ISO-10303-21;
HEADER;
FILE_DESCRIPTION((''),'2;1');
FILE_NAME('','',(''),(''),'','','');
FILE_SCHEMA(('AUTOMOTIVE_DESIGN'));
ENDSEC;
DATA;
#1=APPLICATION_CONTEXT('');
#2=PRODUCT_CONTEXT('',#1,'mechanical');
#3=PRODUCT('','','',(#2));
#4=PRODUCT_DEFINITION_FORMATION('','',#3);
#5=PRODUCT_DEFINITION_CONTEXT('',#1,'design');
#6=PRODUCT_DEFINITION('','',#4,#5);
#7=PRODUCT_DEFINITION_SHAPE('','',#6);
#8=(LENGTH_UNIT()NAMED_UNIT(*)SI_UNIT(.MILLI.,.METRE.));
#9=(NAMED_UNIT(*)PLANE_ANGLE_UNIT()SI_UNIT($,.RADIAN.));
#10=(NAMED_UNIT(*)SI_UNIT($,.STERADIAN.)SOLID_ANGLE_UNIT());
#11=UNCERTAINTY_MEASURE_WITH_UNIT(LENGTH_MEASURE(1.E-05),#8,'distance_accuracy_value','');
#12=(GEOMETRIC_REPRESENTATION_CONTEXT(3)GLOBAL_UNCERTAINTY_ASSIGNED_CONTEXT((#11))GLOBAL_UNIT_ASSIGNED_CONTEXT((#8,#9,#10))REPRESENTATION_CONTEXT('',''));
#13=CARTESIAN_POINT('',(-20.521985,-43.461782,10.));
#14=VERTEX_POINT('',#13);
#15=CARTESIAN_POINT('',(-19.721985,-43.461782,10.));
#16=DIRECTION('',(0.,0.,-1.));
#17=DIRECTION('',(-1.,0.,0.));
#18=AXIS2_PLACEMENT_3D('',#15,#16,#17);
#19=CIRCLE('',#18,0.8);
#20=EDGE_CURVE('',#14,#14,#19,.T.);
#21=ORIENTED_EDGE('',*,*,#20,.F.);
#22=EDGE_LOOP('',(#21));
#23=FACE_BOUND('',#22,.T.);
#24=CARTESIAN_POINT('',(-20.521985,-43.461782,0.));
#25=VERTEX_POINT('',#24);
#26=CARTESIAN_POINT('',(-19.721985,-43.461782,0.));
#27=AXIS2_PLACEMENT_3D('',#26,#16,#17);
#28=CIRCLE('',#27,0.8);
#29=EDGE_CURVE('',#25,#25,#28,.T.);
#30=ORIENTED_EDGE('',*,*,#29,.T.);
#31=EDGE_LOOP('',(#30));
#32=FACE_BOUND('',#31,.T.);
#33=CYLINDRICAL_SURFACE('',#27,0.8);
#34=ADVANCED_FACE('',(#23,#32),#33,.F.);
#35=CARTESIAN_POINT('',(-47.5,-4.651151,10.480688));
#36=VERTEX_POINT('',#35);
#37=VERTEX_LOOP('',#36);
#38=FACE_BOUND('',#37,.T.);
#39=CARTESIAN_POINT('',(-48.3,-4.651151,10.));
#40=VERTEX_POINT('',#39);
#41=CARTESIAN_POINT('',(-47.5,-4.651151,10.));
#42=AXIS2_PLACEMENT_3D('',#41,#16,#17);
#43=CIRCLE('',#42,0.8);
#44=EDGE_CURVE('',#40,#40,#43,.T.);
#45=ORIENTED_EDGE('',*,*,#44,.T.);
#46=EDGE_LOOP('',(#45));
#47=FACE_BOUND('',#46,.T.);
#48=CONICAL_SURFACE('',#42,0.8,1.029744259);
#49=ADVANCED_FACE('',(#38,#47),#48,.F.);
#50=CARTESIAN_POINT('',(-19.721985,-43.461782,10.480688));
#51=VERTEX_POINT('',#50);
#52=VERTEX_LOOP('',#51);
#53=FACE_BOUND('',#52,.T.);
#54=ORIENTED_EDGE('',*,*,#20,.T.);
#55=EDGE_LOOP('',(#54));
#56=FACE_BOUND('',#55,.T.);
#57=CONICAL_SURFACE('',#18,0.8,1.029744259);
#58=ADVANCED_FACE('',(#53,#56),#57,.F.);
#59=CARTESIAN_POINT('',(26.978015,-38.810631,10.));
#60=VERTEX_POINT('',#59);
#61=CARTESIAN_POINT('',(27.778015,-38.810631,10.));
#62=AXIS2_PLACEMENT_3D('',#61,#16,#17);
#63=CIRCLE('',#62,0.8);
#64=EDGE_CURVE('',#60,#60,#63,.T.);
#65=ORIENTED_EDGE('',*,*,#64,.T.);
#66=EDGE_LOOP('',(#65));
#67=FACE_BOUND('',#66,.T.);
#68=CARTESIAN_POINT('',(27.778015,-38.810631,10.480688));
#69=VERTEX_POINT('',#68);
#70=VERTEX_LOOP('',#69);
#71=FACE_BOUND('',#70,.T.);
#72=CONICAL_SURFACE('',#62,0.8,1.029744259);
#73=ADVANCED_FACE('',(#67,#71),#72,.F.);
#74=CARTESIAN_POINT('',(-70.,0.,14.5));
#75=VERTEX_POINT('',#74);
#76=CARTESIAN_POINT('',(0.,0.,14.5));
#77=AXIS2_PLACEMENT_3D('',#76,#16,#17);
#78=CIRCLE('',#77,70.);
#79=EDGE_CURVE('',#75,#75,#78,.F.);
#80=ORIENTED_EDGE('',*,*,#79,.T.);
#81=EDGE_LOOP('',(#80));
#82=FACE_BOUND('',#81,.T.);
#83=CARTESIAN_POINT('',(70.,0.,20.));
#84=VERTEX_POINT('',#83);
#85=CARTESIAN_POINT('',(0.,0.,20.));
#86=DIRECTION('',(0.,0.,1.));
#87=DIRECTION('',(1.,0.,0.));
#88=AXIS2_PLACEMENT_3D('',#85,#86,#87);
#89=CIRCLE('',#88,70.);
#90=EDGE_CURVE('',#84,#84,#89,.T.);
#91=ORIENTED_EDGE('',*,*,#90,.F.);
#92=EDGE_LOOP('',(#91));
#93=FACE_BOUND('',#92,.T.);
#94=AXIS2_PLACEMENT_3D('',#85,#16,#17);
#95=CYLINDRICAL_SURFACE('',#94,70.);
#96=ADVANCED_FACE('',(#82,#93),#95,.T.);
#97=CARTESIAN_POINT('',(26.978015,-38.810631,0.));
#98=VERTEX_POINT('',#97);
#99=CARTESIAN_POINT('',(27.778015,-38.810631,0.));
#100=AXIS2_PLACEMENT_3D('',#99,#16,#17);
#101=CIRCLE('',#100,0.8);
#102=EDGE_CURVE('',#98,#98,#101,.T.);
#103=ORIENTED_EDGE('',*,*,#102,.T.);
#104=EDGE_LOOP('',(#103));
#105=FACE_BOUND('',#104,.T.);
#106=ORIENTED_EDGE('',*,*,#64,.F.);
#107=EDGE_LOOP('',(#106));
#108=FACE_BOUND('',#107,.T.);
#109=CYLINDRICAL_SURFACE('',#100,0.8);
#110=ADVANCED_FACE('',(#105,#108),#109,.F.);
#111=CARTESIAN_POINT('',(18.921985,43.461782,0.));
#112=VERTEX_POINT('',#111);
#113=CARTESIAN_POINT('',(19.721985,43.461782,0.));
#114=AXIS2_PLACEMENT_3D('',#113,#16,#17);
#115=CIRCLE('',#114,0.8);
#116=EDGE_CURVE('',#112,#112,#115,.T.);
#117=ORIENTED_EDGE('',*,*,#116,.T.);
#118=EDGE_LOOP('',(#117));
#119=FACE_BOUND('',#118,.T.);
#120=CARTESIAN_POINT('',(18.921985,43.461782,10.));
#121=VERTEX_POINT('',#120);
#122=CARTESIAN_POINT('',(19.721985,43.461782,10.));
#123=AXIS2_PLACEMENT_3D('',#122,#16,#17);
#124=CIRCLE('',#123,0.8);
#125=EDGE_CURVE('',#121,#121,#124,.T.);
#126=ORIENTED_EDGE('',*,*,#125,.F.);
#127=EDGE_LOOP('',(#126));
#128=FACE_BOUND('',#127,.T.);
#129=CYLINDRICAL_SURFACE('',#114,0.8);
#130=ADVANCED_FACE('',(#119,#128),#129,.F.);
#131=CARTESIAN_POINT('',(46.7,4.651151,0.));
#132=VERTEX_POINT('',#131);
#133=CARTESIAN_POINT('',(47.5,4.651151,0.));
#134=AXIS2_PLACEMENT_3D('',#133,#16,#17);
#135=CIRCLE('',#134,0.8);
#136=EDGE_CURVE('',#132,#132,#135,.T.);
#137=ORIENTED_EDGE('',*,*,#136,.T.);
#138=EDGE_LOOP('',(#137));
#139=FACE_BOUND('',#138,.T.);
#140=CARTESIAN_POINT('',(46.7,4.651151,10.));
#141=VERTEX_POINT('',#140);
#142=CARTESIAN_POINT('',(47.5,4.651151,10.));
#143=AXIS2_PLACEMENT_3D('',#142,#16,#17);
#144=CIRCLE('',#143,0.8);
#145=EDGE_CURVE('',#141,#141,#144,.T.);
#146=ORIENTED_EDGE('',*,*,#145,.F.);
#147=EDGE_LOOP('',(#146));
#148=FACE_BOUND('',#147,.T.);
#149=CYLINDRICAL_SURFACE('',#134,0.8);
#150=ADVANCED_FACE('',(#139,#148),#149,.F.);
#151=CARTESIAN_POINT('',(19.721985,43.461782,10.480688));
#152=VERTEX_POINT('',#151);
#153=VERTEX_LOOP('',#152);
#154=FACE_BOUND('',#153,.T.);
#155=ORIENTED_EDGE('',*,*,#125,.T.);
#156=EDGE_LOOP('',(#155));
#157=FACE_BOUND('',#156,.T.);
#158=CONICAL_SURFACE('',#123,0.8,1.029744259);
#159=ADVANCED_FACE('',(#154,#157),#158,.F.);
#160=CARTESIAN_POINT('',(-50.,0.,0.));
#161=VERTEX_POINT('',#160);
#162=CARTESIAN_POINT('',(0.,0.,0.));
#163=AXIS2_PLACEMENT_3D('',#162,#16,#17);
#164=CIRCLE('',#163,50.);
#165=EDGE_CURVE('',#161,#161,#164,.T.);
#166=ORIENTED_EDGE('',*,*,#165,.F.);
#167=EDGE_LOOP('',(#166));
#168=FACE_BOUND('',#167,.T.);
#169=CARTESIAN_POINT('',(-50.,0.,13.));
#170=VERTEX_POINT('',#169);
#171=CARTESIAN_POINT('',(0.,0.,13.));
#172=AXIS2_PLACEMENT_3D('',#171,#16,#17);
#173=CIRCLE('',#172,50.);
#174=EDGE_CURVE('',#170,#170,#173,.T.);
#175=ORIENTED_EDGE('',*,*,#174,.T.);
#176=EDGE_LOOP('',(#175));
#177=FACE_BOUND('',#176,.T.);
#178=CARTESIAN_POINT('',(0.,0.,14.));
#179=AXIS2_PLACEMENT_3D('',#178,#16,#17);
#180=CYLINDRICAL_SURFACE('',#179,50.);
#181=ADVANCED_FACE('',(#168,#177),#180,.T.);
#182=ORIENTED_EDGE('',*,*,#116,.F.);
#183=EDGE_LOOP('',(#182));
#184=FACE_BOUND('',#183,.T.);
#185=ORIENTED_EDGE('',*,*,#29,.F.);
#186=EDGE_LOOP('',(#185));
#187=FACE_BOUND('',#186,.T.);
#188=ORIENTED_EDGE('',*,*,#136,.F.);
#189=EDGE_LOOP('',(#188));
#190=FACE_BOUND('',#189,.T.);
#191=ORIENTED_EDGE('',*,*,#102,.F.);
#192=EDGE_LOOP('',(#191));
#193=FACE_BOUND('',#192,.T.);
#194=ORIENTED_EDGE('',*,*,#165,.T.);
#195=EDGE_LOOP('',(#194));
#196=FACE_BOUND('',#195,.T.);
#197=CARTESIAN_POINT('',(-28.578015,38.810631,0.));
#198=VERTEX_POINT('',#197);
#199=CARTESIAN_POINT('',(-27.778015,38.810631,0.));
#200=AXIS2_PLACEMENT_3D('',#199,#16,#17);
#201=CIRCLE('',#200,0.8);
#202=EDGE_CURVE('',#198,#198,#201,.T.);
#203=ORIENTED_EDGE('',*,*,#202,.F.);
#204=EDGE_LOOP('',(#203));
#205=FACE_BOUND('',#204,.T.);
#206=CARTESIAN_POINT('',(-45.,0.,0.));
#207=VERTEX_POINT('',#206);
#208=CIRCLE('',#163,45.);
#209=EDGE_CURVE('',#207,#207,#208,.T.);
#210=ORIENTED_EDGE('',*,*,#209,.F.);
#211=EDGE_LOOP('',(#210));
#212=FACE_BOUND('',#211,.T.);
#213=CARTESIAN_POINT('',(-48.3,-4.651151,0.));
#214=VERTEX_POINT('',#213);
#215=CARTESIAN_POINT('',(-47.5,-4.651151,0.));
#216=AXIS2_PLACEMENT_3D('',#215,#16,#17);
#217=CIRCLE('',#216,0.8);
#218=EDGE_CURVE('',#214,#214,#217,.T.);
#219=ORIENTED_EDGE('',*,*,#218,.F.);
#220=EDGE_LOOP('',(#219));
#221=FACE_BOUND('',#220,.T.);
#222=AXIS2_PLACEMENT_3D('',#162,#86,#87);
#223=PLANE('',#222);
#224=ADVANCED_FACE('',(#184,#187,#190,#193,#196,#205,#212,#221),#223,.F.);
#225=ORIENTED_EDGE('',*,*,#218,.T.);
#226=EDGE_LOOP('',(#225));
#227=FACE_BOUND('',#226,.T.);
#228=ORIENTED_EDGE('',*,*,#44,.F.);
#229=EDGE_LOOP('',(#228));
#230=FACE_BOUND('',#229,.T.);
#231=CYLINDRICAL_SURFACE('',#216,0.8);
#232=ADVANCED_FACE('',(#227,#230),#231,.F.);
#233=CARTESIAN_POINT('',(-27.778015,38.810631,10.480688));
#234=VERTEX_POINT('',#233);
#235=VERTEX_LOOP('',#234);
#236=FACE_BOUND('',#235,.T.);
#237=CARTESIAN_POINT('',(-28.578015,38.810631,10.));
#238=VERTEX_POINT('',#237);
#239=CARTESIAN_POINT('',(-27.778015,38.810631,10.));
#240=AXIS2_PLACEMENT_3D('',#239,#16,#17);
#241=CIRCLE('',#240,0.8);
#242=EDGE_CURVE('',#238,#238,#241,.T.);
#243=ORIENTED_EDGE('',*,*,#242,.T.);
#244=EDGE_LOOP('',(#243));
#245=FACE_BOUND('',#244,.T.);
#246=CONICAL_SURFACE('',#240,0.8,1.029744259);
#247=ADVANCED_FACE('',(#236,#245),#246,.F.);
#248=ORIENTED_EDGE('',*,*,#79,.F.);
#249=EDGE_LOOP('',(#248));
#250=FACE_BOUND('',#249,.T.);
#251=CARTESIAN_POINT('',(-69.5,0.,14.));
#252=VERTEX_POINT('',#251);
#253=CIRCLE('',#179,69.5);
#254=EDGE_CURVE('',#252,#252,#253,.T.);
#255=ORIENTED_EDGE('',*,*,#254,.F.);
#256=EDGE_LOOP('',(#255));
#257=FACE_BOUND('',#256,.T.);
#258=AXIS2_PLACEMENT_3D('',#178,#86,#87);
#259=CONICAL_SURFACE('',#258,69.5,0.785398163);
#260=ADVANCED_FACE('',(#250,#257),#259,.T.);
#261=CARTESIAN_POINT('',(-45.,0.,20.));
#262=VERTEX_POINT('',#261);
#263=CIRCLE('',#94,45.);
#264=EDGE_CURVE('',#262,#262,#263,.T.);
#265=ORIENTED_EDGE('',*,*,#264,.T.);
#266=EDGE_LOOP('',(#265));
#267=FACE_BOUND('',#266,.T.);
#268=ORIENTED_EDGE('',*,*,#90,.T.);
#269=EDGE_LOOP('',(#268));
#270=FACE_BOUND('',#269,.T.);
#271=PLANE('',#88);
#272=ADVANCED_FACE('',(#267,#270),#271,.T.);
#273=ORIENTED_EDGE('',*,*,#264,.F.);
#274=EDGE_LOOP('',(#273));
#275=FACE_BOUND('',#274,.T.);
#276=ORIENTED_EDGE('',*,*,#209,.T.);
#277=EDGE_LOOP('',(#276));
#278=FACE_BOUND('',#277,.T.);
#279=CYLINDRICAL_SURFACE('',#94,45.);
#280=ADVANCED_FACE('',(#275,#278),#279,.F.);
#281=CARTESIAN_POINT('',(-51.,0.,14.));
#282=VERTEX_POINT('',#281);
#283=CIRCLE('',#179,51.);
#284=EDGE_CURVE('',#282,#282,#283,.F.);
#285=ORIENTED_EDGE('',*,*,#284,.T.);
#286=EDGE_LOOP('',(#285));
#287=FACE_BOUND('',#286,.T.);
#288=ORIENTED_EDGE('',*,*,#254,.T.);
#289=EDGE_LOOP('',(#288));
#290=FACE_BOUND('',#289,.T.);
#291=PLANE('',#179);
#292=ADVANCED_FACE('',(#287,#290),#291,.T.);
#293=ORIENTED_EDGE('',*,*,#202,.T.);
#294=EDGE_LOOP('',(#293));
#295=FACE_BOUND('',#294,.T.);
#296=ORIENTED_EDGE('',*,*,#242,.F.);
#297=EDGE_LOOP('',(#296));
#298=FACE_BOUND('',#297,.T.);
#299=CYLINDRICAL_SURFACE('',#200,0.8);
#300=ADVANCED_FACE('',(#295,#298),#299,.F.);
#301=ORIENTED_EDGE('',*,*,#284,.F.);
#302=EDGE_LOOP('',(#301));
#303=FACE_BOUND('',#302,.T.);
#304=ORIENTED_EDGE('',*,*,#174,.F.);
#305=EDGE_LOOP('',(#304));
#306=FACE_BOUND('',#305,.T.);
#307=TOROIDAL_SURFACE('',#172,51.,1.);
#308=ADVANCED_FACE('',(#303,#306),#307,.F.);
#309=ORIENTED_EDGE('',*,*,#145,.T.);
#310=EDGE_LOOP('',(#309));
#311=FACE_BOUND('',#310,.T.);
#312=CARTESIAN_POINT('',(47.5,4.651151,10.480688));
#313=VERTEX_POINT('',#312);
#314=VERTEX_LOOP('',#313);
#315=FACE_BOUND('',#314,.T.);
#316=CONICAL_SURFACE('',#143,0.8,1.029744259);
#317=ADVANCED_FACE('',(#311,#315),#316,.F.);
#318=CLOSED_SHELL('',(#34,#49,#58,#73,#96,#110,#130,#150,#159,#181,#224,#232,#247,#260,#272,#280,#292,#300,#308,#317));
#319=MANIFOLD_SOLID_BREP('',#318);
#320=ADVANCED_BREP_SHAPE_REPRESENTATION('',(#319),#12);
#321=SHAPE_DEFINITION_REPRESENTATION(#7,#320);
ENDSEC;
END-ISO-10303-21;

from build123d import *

# Parameters (mm, degrees)
SKIZZE1_R                       = 70
AUFSATZ_LINEAR_AUSTRAGEN1_DEPTH = 20
SKIZZE2_OUTSIDE_W               = 181.8
SKIZZE2_OUTSIDE_H               = 181.8
SKIZZE2_OUTSIDE_R               = 50
SCHNITT_LINEAR_AUSTRAGEN3_DEPTH = 14
SKIZZE3_R                       = 45
SCHNITT_LINEAR_AUSTRAGEN4_DEPTH = 21
VERRUNDUNG1_R                   = 1
FASE1_SIZE                      = 0.5
KREISMUSTER1_COUNT              = 6


with BuildPart() as part:
    # Skizze1 → Aufsatz-Linear austragen1 (new body)
    with BuildSketch(Plane.XY):
        Circle(SKIZZE1_R)
    extrude(amount=AUFSATZ_LINEAR_AUSTRAGEN1_DEPTH)

    # Skizze2 outside → Schnitt-Linear austragen3 (cut)
    with BuildSketch(Plane(origin=(0, 0, 0), x_dir=(-1, 0, 0), z_dir=(0, 0, -1))):
        Rectangle(SKIZZE2_OUTSIDE_W, SKIZZE2_OUTSIDE_H)
        Circle(SKIZZE2_OUTSIDE_R, mode=Mode.SUBTRACT)
    extrude(amount=-SCHNITT_LINEAR_AUSTRAGEN3_DEPTH, mode=Mode.SUBTRACT)

    # Skizze3 → Schnitt-Linear austragen4 (cut, through all)
    with BuildSketch(Plane(origin=(0, 0, 0), x_dir=(-1, 0, 0), z_dir=(0, 0, -1))):
        Circle(SKIZZE3_R)
    extrude(amount=-SCHNITT_LINEAR_AUSTRAGEN4_DEPTH, mode=Mode.SUBTRACT)

    # Verrundung1
    verrundung1_edges = [part.edges().sort_by_distance(p)[0] for p in [
        (50, 0, 14),
    ]]
    fillet(verrundung1_edges, radius=VERRUNDUNG1_R)

    # Fase1
    fase1_edges = [part.edges().sort_by_distance(p)[0] for p in [
        (-70, 0, 14),
    ]]
    chamfer(fase1_edges, length=FASE1_SIZE)

    # Skizze8 → M2 Gewindebohrung1 (revolve, cut)
    with BuildSketch(Plane(origin=(-47.5, -4.651151255, 0), x_dir=(0, 1, 0), z_dir=(1, 0, 0))):
        Polygon((0, 0), (0, 10.480688495), (0.8, 10), (0.8, 0), align=None)
    m2_gewindebohrung1 = revolve(axis=Axis((-47.5, -4.651151255, -6.35), (0, 0, 1)), mode=Mode.SUBTRACT)

    # Kreismuster1: M2 Gewindebohrung1 ×6 about axis
    kreismuster1_axis = Axis((0, 0, 0), (0, 0, 1))
    for i in range(1, KREISMUSTER1_COUNT):
        add(m2_gewindebohrung1.rotate(kreismuster1_axis, i * 360 / KREISMUSTER1_COUNT), mode=Mode.SUBTRACT)


solid = part.part
